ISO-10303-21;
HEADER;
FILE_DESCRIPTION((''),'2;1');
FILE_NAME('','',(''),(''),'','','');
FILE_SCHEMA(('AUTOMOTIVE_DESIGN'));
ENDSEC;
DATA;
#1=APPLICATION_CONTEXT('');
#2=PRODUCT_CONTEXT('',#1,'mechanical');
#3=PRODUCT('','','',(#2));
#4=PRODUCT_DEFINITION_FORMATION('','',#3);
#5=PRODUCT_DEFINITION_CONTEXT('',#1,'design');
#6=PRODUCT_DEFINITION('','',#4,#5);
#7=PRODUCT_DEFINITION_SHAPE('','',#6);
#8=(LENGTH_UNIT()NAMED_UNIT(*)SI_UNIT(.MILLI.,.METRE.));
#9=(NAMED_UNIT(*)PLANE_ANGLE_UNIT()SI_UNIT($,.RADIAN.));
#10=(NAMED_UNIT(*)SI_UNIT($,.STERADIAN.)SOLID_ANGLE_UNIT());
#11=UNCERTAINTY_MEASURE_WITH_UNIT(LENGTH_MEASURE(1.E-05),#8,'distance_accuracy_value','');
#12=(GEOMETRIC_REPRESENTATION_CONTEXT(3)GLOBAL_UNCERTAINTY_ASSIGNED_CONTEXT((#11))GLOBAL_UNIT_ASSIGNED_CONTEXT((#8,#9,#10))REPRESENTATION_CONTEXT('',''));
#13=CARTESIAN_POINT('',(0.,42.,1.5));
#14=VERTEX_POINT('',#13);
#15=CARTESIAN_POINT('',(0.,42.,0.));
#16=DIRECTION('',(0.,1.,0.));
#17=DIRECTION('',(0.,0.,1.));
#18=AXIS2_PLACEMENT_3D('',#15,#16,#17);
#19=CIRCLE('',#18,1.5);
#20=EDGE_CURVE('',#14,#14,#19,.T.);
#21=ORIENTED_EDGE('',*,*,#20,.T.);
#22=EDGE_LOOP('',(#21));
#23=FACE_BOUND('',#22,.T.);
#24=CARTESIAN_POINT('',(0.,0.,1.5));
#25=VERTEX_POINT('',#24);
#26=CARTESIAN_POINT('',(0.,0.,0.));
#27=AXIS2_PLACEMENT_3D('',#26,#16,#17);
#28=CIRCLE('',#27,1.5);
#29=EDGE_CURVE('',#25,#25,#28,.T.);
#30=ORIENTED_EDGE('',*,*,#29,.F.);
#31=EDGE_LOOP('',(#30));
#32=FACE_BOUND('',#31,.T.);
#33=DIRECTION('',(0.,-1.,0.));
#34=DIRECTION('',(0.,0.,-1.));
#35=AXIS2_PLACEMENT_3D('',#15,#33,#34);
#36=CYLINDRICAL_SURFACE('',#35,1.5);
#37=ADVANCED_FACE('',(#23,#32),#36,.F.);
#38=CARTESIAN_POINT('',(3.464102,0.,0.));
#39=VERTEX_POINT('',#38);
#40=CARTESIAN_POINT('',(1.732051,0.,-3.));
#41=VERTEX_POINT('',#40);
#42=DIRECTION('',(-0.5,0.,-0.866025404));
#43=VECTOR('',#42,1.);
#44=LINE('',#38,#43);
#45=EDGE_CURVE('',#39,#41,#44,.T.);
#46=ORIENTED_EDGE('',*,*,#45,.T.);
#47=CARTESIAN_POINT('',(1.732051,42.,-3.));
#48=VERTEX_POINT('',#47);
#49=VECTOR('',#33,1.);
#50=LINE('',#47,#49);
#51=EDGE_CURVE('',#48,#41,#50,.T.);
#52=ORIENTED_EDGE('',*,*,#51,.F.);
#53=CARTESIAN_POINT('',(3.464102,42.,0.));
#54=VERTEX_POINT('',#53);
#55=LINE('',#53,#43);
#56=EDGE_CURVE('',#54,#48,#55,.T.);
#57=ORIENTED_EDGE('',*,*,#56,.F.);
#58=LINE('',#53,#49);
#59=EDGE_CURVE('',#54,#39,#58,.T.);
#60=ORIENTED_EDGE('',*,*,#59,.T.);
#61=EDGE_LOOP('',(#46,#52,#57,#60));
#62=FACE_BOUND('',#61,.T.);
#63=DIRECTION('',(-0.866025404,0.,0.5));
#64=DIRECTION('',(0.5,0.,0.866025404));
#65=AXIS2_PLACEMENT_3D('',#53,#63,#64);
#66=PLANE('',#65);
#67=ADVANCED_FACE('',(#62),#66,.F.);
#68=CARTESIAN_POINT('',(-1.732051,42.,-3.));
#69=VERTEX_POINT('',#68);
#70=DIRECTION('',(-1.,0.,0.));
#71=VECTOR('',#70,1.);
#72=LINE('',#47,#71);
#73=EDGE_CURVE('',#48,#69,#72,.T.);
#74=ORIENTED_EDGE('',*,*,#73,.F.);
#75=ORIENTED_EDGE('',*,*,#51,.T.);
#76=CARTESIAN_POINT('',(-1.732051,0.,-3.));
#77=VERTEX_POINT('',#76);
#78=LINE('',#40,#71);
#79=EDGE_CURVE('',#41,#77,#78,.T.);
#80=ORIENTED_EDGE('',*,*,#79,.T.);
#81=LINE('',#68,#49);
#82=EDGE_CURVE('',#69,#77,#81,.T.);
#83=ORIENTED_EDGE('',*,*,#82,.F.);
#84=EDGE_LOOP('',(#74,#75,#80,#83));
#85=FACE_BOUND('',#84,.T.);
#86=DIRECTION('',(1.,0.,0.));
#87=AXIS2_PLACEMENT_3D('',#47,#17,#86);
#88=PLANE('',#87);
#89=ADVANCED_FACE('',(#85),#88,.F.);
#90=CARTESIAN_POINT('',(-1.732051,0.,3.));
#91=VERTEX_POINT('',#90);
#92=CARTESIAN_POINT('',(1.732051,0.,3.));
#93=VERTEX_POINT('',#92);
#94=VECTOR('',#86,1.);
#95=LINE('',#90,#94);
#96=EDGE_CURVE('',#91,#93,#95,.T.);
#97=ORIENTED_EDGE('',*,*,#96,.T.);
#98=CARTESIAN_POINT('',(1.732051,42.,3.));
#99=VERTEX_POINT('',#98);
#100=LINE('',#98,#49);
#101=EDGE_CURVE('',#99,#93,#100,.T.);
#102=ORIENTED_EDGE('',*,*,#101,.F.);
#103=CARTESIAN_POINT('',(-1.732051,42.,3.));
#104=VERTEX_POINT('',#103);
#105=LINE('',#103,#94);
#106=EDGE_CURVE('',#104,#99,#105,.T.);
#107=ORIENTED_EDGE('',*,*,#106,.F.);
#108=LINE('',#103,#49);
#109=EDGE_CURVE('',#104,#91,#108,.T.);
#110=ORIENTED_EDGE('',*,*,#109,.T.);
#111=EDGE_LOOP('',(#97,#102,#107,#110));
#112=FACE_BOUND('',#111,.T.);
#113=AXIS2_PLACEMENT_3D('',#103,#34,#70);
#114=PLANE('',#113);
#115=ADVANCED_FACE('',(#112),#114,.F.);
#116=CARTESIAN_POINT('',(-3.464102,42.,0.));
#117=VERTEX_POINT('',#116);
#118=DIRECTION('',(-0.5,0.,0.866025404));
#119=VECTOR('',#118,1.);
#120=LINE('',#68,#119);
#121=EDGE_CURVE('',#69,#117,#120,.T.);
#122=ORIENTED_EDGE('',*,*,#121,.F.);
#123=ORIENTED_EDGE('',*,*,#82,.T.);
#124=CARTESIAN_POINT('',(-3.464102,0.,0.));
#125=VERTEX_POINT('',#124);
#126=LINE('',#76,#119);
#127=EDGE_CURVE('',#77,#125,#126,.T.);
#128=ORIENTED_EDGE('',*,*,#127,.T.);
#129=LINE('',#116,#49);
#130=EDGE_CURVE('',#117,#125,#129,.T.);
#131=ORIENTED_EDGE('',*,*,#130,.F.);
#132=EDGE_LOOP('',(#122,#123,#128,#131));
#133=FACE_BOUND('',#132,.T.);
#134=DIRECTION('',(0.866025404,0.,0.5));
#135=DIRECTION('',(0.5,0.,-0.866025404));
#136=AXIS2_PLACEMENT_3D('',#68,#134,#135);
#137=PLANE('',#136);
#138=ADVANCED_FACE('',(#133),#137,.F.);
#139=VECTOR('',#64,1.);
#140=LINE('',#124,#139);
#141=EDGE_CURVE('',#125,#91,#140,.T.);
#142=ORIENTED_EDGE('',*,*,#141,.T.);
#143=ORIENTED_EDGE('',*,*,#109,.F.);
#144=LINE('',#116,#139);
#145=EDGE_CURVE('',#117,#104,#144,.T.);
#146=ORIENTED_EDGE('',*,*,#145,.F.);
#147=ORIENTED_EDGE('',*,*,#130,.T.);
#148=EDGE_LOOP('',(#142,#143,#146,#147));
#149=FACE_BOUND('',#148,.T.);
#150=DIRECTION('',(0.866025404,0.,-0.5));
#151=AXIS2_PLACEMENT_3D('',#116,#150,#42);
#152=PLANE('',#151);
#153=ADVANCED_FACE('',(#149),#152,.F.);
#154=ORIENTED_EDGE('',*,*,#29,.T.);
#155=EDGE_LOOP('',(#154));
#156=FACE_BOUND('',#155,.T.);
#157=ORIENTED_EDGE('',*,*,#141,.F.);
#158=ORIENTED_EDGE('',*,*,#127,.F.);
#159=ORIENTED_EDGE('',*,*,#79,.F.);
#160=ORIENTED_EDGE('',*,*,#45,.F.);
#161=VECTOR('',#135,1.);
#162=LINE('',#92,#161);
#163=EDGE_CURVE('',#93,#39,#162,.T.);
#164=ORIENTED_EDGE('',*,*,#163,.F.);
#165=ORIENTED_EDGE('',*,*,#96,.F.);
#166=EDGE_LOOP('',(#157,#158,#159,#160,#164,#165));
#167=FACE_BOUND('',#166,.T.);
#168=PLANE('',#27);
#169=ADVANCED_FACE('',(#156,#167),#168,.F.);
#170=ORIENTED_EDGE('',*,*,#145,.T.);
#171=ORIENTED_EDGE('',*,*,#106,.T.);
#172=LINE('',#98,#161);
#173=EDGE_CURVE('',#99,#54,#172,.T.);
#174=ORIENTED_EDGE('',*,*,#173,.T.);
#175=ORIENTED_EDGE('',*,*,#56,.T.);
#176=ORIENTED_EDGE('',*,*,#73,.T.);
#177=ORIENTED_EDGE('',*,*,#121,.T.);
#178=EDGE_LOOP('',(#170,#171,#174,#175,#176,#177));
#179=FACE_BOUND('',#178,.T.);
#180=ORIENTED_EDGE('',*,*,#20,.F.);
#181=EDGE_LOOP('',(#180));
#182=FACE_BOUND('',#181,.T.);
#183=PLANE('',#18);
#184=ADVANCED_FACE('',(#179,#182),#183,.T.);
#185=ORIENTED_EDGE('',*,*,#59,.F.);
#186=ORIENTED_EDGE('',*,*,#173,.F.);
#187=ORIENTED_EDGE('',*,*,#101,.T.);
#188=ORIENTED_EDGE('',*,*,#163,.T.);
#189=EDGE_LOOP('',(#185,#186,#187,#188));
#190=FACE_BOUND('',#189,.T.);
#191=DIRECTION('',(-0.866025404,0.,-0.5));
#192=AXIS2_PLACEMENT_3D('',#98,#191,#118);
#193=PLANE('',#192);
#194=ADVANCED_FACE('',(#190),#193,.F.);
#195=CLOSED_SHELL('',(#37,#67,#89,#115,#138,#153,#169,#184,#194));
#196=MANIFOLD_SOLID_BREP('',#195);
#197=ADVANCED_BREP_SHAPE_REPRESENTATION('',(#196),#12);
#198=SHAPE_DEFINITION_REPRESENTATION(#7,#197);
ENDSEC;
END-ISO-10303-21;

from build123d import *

# Parameters (mm, degrees)
SKETCH1_R           = 1.5
BOSS_EXTRUDE1_DEPTH = 42


with BuildPart() as part:
    # Sketch1 → Boss-Extrude1 (new body)
    with BuildSketch(Plane(origin=(0, 0, 0), x_dir=(1, 0, 0), z_dir=(0, 1, 0))):
        Polygon((1.732050808, 3), (-1.732050808, 3), (-3.464101615, 0), (-1.732050808, -3), (1.732050808, -3), (3.464101615, 0), align=None)
        Circle(SKETCH1_R, mode=Mode.SUBTRACT)
    extrude(amount=BOSS_EXTRUDE1_DEPTH)


solid = part.part
